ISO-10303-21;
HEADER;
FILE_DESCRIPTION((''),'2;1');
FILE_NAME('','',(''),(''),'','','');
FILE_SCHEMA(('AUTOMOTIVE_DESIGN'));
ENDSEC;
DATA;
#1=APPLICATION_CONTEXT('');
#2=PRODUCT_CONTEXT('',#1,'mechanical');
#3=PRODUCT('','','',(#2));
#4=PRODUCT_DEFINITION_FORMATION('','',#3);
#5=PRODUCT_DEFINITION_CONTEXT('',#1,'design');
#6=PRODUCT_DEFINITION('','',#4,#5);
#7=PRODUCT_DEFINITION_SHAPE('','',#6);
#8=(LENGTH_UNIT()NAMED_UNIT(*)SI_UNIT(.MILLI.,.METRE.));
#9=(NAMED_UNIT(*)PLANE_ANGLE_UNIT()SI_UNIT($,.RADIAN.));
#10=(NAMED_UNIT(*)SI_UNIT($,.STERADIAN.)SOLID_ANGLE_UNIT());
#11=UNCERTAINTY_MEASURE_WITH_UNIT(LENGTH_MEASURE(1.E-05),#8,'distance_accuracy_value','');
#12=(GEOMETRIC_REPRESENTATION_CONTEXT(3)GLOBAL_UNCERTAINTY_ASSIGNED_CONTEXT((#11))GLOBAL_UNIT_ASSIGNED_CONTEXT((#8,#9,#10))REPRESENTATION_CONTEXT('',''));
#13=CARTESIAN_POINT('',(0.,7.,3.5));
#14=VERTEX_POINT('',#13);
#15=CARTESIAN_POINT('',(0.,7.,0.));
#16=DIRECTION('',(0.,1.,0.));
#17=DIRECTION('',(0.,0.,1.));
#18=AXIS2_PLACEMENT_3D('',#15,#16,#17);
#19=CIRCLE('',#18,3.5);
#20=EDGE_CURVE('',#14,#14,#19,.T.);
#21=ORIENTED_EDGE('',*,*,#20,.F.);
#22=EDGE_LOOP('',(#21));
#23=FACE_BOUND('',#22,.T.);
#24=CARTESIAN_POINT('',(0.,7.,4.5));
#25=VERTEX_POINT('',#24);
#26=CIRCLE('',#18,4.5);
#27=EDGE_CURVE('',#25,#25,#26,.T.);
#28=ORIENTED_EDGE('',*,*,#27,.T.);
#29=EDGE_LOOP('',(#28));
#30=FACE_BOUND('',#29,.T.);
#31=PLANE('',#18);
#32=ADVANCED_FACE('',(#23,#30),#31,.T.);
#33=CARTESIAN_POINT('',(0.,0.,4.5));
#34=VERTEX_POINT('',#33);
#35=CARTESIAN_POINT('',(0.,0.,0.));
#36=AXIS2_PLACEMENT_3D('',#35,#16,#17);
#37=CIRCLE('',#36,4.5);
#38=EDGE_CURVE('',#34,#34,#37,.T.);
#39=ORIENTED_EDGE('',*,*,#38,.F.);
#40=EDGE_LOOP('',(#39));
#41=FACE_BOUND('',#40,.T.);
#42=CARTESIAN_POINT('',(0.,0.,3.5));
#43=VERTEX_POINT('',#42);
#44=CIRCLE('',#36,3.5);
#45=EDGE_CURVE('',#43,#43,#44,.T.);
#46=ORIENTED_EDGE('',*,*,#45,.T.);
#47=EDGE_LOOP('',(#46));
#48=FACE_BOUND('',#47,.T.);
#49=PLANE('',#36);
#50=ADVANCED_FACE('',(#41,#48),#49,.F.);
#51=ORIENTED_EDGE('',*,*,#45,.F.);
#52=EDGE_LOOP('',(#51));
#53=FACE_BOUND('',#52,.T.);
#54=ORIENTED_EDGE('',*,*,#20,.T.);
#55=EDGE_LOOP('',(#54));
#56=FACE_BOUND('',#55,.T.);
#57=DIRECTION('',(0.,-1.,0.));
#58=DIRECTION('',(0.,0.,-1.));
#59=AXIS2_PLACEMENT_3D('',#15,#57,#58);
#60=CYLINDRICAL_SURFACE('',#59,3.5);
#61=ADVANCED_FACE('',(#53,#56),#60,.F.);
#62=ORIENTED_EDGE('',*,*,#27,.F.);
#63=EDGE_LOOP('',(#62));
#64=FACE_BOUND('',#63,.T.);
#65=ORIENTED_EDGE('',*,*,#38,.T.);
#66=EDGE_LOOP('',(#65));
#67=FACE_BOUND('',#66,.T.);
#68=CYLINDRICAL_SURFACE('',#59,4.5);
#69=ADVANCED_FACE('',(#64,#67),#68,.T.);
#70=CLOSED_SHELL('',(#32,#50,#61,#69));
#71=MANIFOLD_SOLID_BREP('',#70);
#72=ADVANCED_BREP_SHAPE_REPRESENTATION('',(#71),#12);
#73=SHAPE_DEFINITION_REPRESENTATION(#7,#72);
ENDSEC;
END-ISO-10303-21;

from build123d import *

# Parameters (mm, degrees)
SKETCH_1_R      = 4.5
SKETCH_1_R_2    = 3.5
EXTRUDE_1_DEPTH = 7


with BuildPart() as part:
    # 草图1 → 凸台-拉伸1 (new body)
    with BuildSketch(Plane(origin=(0, 0, 0), x_dir=(1, 0, 0), z_dir=(0, 1, 0))):
        Circle(SKETCH_1_R)
        Circle(SKETCH_1_R_2, mode=Mode.SUBTRACT)
    extrude(amount=EXTRUDE_1_DEPTH)


solid = part.part
